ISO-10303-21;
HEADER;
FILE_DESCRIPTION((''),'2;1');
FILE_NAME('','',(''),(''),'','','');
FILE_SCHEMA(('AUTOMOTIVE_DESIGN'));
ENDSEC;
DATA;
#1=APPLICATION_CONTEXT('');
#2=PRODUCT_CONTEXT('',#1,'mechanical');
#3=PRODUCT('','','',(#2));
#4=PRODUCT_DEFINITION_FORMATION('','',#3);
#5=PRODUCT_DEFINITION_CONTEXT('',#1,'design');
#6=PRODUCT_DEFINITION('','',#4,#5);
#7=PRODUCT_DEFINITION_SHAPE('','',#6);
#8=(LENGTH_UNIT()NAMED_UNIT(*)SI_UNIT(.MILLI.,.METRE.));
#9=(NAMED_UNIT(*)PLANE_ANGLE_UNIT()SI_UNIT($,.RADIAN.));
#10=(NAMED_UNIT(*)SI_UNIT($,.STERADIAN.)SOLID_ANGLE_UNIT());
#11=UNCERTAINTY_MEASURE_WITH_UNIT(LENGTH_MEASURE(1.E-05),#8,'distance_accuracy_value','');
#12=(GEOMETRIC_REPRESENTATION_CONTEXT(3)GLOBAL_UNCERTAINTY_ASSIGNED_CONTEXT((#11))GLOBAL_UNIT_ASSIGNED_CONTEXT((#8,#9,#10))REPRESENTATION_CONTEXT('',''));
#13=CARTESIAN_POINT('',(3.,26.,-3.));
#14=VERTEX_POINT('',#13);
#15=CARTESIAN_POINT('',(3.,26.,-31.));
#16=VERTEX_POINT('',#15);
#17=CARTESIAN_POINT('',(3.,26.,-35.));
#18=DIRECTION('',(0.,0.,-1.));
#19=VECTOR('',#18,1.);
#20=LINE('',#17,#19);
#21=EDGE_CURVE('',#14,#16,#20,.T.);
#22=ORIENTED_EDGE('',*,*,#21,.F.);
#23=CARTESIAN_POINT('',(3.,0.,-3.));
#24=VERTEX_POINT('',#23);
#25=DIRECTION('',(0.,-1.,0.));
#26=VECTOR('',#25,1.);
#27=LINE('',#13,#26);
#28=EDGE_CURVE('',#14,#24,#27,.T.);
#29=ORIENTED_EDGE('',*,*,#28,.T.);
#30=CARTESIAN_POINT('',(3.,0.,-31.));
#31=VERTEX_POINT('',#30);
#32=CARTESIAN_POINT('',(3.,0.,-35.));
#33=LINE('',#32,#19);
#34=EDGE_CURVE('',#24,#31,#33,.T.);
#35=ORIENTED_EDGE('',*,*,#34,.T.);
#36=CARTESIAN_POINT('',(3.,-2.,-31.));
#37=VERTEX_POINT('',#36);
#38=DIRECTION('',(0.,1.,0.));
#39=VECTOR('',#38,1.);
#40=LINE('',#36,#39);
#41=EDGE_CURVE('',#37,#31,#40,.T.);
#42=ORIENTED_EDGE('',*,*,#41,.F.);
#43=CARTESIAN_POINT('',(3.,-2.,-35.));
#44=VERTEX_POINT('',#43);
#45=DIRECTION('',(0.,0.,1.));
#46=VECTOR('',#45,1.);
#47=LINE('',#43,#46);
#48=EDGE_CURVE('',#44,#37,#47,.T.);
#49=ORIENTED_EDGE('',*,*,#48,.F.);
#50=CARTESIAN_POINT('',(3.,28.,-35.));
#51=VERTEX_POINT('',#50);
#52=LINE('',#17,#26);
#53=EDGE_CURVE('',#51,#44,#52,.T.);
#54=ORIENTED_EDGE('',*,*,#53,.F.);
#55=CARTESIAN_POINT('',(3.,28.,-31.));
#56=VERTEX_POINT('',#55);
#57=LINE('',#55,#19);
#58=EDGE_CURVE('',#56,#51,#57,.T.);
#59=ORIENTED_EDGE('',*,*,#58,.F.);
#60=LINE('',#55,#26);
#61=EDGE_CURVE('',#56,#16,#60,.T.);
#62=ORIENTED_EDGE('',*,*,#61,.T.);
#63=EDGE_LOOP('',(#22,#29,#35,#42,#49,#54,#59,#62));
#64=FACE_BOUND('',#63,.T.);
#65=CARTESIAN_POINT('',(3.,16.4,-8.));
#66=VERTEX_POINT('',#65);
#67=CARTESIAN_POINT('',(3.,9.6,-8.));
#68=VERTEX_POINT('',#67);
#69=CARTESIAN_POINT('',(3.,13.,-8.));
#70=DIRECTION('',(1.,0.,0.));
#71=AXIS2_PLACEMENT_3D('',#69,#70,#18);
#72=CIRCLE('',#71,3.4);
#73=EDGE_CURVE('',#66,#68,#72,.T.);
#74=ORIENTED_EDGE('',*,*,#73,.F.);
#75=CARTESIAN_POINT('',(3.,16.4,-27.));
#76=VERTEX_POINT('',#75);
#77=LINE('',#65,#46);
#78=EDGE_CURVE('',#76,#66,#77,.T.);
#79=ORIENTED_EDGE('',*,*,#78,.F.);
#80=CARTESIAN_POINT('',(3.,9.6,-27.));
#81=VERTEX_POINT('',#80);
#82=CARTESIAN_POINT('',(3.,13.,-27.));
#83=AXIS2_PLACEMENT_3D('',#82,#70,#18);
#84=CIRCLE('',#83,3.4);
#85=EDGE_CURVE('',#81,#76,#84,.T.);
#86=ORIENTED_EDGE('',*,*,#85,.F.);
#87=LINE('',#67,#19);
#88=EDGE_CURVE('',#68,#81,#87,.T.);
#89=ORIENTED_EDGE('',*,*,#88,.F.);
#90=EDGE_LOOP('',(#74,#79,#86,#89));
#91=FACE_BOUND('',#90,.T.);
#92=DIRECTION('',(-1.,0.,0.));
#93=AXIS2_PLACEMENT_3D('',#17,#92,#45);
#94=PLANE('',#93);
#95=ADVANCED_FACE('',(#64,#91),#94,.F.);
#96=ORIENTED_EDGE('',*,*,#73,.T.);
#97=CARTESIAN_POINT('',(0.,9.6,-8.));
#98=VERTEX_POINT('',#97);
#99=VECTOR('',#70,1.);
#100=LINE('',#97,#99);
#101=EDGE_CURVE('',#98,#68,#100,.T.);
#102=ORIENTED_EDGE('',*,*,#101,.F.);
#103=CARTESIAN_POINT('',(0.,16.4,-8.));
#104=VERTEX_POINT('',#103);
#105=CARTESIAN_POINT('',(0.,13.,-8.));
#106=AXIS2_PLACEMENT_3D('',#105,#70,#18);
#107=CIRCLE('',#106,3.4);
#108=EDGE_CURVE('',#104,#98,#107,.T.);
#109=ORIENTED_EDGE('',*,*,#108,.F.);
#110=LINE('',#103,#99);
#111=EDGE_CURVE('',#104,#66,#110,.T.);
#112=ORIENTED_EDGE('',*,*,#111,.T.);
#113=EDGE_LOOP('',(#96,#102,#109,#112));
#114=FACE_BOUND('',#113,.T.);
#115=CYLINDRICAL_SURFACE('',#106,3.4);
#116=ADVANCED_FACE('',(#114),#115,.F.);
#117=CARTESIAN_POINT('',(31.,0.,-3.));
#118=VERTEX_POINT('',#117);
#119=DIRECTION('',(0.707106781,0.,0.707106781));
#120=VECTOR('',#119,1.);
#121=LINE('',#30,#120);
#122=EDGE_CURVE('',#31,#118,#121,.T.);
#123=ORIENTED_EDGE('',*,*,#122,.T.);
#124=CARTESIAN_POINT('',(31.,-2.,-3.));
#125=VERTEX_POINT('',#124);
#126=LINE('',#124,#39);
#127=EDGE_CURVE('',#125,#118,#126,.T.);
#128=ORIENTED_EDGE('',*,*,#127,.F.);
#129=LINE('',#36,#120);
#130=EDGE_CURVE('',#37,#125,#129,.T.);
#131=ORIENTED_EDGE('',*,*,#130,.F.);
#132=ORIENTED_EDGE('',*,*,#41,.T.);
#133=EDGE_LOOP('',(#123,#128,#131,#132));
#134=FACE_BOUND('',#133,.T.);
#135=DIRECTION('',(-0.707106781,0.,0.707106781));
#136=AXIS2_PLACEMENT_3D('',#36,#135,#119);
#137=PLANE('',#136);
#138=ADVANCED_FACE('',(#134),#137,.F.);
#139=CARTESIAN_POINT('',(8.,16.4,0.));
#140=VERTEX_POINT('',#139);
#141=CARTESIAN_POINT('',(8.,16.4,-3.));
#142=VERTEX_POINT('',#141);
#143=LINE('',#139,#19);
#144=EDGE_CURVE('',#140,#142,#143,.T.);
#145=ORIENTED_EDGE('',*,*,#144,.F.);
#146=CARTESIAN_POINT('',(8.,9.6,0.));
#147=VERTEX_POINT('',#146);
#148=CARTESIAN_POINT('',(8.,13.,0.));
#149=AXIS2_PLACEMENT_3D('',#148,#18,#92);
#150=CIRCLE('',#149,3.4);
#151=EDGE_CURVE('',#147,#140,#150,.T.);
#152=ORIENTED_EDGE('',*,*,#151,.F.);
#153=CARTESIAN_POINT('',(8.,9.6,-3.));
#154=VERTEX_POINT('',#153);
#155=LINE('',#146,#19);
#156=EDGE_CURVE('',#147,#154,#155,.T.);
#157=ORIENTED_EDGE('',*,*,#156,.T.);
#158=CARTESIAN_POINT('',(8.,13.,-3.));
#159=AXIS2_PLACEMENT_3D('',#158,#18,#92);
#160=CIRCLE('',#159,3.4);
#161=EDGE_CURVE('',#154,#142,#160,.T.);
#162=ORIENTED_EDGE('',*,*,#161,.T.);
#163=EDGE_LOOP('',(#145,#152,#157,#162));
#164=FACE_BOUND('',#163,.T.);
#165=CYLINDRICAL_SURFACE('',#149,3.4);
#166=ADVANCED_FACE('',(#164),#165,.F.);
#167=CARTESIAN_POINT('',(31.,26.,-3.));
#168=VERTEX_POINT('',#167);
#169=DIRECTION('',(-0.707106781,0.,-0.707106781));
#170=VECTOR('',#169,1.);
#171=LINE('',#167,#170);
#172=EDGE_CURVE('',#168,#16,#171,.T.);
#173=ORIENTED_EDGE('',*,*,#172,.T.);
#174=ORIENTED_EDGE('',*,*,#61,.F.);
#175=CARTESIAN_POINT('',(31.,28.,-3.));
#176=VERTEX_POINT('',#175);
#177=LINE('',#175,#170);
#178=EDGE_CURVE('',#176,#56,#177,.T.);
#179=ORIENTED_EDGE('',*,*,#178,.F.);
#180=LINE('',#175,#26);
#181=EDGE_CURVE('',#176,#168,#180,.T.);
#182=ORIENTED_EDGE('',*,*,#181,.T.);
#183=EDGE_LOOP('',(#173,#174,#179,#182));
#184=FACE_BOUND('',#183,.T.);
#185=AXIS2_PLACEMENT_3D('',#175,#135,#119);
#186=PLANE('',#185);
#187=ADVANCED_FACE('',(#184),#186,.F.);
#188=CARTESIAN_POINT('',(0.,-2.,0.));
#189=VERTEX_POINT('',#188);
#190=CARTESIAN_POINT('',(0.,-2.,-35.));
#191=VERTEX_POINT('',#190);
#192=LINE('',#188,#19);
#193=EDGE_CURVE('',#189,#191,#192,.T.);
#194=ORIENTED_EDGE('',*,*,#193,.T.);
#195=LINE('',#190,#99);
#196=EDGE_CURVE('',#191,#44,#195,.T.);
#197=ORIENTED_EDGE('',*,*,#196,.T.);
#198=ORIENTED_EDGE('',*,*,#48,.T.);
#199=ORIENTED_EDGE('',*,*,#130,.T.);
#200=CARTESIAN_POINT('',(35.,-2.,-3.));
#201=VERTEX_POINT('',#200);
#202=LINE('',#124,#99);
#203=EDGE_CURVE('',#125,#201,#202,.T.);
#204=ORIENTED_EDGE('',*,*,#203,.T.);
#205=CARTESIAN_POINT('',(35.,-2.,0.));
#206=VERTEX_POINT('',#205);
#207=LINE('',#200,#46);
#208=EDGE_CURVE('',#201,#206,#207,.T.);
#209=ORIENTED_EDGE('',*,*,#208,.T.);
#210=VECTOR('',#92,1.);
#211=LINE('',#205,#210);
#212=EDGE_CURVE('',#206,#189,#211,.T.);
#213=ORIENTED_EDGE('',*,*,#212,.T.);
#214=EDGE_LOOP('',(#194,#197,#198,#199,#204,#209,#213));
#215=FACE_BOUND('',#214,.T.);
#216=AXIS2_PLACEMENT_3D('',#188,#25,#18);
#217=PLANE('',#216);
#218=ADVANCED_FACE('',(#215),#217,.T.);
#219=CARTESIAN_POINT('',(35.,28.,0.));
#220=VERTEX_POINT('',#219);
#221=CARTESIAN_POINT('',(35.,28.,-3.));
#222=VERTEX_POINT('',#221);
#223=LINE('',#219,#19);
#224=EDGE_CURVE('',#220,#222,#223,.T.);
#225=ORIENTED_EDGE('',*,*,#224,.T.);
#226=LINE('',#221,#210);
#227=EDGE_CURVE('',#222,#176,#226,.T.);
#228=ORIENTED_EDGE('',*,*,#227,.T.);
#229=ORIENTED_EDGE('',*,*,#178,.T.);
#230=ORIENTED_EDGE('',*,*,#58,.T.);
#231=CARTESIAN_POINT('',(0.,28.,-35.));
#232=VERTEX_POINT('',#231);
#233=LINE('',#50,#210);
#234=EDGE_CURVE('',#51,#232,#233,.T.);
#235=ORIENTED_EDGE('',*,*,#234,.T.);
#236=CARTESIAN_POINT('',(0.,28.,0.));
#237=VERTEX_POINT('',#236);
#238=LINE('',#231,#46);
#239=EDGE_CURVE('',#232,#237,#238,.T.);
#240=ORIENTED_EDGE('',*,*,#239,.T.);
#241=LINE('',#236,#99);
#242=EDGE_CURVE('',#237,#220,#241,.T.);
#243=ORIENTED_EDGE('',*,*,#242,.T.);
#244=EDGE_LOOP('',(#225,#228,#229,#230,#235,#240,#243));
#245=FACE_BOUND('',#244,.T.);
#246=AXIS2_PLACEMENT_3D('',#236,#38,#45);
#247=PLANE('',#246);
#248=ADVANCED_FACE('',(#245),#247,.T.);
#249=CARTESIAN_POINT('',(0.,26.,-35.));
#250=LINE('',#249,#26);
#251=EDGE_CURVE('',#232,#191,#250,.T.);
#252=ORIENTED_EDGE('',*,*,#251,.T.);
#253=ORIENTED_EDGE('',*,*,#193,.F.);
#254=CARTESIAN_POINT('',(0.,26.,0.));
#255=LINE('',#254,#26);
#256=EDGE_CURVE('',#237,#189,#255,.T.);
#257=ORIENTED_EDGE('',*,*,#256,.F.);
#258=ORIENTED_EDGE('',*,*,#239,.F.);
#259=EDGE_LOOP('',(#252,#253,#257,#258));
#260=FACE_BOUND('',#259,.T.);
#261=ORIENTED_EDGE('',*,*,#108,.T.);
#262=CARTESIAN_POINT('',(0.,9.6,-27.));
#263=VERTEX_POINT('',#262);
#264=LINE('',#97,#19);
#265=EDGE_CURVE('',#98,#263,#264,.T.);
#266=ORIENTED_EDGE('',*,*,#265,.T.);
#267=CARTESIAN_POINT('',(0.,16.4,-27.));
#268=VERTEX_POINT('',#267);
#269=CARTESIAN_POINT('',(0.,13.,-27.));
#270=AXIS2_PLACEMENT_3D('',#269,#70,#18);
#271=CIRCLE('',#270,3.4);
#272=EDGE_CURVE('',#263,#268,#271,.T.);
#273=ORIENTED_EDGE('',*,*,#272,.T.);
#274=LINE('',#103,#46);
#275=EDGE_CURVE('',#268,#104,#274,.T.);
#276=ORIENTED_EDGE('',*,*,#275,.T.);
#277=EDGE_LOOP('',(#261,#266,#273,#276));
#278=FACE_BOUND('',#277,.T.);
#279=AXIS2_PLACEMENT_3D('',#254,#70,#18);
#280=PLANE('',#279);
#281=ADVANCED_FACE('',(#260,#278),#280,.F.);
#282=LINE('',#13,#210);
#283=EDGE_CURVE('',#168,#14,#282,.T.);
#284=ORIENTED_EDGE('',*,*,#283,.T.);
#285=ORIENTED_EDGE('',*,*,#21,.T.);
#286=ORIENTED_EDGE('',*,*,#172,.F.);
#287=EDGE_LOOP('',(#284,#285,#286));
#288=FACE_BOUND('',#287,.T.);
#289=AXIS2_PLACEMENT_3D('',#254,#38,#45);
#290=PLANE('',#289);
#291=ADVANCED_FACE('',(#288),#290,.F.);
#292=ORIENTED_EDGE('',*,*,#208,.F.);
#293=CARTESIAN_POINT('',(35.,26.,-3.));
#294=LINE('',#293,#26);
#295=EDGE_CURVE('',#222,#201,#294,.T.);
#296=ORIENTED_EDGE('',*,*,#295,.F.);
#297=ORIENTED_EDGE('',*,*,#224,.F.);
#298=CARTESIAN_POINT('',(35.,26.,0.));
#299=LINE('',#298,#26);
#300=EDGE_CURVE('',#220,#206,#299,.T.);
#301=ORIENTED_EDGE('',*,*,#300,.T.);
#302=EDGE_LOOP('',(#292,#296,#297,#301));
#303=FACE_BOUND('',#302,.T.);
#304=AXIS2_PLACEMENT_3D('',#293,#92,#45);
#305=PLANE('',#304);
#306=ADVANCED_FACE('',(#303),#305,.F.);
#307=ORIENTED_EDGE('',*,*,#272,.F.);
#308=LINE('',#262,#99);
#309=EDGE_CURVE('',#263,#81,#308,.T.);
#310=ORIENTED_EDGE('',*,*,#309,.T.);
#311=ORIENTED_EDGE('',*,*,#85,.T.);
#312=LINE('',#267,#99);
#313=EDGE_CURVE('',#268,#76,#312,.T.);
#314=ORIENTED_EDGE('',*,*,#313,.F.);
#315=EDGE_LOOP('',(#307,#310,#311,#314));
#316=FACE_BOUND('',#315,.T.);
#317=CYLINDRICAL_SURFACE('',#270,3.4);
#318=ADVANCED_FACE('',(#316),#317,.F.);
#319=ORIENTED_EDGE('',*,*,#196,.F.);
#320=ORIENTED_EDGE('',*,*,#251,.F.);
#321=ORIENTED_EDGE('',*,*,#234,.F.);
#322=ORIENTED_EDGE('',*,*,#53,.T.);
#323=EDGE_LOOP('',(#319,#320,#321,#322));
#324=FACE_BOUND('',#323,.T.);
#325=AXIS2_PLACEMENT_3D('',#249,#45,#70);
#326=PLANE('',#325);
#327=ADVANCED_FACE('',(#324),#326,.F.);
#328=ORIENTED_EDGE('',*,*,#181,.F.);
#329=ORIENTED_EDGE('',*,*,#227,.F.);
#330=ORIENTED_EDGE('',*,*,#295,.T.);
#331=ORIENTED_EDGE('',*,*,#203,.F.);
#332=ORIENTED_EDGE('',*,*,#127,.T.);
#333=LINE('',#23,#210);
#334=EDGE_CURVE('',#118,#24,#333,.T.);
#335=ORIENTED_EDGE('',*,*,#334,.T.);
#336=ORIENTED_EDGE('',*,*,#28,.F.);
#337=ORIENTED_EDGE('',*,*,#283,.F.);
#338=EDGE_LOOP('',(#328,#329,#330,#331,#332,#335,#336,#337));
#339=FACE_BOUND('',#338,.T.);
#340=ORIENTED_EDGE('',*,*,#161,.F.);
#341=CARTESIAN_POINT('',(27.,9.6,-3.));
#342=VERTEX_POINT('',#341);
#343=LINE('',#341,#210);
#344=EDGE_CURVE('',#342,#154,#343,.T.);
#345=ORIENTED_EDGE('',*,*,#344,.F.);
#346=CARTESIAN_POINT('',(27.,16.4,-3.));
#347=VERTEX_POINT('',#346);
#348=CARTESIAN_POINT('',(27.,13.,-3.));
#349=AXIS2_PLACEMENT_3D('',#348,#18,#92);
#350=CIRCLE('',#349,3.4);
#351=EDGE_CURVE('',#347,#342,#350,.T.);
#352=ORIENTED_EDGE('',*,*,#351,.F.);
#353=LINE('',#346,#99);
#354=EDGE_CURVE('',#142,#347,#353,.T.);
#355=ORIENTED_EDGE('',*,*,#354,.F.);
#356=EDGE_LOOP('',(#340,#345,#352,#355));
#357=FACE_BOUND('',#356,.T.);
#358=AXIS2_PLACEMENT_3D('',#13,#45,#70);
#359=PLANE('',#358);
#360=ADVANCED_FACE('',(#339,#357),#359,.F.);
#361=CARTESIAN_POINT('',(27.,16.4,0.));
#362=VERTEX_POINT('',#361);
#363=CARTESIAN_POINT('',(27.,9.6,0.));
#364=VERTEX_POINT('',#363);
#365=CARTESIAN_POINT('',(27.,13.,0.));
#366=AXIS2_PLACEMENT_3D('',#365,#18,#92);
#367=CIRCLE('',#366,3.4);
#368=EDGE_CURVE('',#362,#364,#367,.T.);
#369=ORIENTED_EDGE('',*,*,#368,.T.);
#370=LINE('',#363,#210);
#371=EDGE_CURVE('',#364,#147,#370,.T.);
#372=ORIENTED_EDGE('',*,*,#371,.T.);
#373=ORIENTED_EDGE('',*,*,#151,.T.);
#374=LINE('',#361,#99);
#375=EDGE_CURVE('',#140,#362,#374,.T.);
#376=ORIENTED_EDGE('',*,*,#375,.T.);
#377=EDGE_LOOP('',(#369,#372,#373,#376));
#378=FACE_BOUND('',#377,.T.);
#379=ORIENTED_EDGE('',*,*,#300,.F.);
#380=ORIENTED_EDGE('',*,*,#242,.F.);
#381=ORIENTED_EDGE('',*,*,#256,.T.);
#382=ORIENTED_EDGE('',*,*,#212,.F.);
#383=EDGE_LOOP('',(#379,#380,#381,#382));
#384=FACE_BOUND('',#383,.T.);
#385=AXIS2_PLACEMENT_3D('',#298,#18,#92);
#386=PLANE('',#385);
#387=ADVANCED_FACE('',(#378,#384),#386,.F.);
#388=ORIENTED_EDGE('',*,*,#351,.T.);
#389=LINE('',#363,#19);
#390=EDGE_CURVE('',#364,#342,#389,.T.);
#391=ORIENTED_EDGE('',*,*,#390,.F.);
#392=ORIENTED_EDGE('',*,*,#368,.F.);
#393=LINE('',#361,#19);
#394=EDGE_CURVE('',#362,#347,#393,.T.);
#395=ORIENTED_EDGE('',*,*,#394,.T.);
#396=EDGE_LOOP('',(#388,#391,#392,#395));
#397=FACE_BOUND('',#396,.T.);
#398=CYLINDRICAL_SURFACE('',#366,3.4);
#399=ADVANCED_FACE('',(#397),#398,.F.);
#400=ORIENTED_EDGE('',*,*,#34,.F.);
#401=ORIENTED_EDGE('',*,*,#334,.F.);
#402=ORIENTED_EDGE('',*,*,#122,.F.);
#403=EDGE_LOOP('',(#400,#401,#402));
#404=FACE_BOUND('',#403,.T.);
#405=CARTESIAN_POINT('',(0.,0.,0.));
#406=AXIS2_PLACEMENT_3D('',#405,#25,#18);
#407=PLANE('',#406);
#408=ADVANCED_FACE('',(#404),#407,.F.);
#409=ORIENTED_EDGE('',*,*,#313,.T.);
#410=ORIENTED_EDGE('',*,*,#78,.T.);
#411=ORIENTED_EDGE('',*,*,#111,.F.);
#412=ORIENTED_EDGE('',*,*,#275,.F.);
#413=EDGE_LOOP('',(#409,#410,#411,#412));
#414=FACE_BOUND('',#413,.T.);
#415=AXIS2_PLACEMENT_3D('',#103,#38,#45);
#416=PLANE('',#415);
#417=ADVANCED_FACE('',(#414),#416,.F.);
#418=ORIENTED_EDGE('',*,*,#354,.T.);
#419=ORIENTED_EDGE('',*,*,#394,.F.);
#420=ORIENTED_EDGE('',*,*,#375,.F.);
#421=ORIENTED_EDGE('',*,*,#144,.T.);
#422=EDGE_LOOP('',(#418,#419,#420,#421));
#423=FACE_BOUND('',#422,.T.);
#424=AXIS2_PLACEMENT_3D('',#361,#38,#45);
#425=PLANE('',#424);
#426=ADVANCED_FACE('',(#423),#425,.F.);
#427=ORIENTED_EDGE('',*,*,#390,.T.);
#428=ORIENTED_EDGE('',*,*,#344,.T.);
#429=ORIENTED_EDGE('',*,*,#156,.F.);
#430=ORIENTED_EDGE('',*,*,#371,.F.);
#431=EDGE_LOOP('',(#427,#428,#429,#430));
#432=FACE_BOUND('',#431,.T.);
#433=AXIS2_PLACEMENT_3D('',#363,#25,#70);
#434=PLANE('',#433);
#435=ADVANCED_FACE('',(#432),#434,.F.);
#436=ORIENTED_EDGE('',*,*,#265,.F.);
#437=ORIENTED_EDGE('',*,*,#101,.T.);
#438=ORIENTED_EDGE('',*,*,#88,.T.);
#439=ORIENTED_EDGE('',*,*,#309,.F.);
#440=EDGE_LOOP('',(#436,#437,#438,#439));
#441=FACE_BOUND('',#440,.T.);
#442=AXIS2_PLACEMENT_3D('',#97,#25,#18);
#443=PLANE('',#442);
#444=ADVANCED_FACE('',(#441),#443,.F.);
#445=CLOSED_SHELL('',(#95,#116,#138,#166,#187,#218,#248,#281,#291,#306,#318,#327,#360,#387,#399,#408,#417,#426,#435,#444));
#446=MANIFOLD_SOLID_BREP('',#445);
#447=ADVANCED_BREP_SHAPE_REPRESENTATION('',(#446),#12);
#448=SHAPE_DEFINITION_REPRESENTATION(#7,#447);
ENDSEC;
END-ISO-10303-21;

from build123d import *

# Parameters (mm, degrees)
BOSS_EXTRUDE1_DEPTH = 26
BOSS_EXTRUDE2_DEPTH = 2
BOSS_EXTRUDE3_DEPTH = 2
CUT_EXTRUDE1_DEPTH  = 4
CUT_EXTRUDE2_DEPTH  = 4


with BuildPart() as part:
    # Sketch1 → Boss-Extrude1 (new body)
    with BuildSketch(Plane(origin=(0, 0, 0), x_dir=(1, 0, 0), z_dir=(0, 1, 0))):
        Polygon((0, 0), (0, 35), (3, 35), (3, 3), (35, 3), (35, 0), align=None)
    extrude(amount=BOSS_EXTRUDE1_DEPTH)

    # Sketch2 → Boss-Extrude2 (add)
    with BuildSketch(Plane(origin=(0, 26, 0), x_dir=(1, 0, 0), z_dir=(0, 1, 0))):
        Polygon((3, 35), (0, 35), (0, 0), (35, 0), (35, 3), (31, 3), (3, 31), align=None)
    extrude(amount=BOSS_EXTRUDE2_DEPTH)

    # Sketch3 → Boss-Extrude3 (add)
    with BuildSketch(Plane.XZ):
        Polygon((0, 0), (0, -35), (3, -35), (3, -31), (31, -3), (35, -3), (35, 0), align=None)
    extrude(amount=BOSS_EXTRUDE3_DEPTH)

    # Sketch4 → Cut-Extrude1 (cut, through all)
    with BuildSketch(Plane(origin=(0, 0, -3), x_dir=(-1, 0, 0), z_dir=(0, 0, -1))):
        with BuildLine():
            Line((-27, 16.4), (-8, 16.4))
            ThreePointArc((-8, 16.4), (-4.6, 13), (-8, 9.6))
            Line((-8, 9.6), (-27, 9.6))
            ThreePointArc((-27, 9.6), (-30.4, 13), (-27, 16.4))
        make_face()
    extrude(amount=-CUT_EXTRUDE1_DEPTH, mode=Mode.SUBTRACT)

    # Sketch5 → Cut-Extrude2 (cut, through all)
    with BuildSketch(Plane(origin=(3, 0, 0), x_dir=(0, 0, -1), z_dir=(1, 0, 0))):
        with BuildLine():
            Line((8, 16.4), (27, 16.4))
            ThreePointArc((27, 16.4), (30.4, 13), (27, 9.6))
            Line((27, 9.6), (8, 9.6))
            ThreePointArc((8, 9.6), (4.6, 13), (8, 16.4))
        make_face()
    extrude(amount=-CUT_EXTRUDE2_DEPTH, mode=Mode.SUBTRACT)


solid = part.part
